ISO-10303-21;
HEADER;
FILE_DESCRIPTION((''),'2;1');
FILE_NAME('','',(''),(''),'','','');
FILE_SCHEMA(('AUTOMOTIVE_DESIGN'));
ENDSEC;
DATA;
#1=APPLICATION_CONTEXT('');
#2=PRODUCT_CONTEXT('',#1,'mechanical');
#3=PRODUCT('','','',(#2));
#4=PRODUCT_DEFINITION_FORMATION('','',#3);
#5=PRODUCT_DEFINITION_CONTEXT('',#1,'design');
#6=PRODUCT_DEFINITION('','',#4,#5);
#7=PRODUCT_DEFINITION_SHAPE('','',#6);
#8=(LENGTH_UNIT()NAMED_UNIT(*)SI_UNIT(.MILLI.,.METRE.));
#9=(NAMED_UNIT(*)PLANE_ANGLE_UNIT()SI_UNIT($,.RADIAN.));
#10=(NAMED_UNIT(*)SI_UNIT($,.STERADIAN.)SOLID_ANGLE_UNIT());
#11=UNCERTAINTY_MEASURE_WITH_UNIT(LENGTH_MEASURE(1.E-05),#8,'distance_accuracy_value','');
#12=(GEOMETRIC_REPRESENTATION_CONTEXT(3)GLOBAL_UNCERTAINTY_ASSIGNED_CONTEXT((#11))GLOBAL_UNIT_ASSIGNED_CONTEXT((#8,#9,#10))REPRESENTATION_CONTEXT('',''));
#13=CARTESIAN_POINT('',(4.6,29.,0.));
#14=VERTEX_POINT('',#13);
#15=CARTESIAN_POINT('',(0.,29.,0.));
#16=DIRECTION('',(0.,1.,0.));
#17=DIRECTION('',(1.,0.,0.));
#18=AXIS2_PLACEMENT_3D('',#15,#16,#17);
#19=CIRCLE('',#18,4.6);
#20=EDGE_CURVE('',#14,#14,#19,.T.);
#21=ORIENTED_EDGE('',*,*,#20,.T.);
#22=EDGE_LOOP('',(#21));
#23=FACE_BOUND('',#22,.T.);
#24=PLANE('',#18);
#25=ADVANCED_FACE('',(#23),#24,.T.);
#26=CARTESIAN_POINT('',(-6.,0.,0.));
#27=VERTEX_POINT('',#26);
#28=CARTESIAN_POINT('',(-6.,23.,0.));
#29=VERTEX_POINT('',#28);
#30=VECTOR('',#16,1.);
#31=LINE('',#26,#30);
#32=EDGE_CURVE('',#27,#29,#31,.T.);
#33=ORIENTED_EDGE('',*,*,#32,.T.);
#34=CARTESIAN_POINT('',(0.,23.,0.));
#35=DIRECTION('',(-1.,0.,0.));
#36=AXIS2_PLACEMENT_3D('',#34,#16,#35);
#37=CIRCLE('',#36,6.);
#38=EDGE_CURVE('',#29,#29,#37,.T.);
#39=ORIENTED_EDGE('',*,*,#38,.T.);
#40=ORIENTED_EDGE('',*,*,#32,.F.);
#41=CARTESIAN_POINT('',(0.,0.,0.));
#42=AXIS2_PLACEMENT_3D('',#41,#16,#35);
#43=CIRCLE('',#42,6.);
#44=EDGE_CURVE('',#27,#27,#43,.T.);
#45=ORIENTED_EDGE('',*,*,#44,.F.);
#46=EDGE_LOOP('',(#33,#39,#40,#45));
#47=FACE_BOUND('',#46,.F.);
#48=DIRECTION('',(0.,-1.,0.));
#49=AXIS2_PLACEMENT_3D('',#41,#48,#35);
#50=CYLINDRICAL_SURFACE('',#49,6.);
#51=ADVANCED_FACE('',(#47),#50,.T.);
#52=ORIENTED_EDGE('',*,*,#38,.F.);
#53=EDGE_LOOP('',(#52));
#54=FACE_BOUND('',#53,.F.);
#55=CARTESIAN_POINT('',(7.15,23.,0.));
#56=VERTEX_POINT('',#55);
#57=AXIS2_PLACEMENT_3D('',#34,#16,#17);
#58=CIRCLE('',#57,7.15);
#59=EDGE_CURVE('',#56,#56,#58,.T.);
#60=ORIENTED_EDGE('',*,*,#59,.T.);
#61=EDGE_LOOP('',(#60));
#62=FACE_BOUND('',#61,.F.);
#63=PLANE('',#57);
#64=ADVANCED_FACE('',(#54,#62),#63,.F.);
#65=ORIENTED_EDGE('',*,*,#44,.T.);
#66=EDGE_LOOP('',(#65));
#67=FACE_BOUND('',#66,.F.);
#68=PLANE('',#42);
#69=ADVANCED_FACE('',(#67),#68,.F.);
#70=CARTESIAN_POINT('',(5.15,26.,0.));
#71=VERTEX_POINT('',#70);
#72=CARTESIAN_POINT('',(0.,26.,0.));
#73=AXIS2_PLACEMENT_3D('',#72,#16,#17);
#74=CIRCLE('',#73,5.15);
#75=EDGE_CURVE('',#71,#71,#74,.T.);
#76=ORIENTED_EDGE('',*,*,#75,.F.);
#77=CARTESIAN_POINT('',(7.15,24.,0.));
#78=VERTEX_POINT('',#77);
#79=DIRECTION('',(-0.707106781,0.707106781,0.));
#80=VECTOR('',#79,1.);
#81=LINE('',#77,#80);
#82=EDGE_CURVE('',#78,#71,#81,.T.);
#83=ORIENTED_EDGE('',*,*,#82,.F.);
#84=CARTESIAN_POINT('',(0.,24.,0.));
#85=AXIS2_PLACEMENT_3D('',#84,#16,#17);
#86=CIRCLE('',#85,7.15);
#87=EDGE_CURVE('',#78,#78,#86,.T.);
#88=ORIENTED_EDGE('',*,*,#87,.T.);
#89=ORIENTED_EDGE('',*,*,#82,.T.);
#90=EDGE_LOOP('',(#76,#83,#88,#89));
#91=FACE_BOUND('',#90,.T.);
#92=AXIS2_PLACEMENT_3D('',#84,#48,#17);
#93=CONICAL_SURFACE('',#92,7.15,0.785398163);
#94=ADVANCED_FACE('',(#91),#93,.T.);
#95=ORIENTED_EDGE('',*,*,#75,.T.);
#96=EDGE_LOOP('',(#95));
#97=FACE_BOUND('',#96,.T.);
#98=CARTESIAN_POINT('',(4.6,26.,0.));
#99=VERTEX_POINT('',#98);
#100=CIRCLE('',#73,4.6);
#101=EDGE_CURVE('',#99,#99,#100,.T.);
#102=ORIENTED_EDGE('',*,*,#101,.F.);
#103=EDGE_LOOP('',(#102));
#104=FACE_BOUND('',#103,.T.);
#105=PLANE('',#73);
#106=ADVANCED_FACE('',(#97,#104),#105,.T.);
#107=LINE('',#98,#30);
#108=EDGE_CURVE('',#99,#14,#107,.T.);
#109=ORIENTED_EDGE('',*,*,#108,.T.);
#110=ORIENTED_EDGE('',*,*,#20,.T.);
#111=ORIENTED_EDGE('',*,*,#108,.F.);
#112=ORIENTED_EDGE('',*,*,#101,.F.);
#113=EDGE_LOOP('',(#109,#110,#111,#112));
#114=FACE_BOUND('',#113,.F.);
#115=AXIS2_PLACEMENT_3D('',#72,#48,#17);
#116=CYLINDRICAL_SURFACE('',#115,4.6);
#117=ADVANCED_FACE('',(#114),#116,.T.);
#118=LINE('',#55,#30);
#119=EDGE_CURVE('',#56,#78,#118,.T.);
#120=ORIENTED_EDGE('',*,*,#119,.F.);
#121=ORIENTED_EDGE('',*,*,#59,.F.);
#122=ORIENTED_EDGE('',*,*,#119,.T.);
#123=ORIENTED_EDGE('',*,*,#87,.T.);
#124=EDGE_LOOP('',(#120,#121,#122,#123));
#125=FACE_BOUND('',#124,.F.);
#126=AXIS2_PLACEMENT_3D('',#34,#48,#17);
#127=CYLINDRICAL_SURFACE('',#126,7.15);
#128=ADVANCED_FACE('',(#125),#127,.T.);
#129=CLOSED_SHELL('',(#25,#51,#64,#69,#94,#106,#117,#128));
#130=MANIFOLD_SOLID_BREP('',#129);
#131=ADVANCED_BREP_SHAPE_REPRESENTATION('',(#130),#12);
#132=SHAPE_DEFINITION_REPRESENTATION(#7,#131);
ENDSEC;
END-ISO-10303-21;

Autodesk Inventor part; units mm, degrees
ref_plane "YZ Plane" through (0, 0, 0) normal (1, 0, 0) x (0, 1, 0)
ref_plane "XZ Plane" through (0, 0, 0) normal (0, 1, 0) x (-1, 0, 0)
ref_plane "XY Plane" through (0, 0, 0) normal (0, 0, 1) x (1, 0, 0)
sketch "Sketch1" plane through (0, 0, 0) normal (0, 1, 0) x (-1, 0, 0)
  circle A0 centre (0, 0) radius 6
  dimension "d0" = 12
extrude "Extrusion1" add sketch "Sketch1" along normal blind 23
sketch "Sketch2" plane through (0, 23, 0) normal (0, 1, 0) x (1, 0, 0)
  circle A0 centre (0, 0) radius 7.15
  dimension "d3" = 14.3
extrude "Extrusion2" add sketch "Sketch2" along normal blind 3
chamfer "Chamfer1" distance 2 angle 45 1 edges at (-7.15, 26, 0)
sketch "Sketch3" plane through (0, 26, 0) normal (0, 1, 0) x (1, 0, 0)
  circle A0 centre (0, 0) radius 4.6
  dimension "d9" = 9.2
extrude "Extrusion3" add sketch "Sketch3" along normal blind 3
properties part number "Button"
